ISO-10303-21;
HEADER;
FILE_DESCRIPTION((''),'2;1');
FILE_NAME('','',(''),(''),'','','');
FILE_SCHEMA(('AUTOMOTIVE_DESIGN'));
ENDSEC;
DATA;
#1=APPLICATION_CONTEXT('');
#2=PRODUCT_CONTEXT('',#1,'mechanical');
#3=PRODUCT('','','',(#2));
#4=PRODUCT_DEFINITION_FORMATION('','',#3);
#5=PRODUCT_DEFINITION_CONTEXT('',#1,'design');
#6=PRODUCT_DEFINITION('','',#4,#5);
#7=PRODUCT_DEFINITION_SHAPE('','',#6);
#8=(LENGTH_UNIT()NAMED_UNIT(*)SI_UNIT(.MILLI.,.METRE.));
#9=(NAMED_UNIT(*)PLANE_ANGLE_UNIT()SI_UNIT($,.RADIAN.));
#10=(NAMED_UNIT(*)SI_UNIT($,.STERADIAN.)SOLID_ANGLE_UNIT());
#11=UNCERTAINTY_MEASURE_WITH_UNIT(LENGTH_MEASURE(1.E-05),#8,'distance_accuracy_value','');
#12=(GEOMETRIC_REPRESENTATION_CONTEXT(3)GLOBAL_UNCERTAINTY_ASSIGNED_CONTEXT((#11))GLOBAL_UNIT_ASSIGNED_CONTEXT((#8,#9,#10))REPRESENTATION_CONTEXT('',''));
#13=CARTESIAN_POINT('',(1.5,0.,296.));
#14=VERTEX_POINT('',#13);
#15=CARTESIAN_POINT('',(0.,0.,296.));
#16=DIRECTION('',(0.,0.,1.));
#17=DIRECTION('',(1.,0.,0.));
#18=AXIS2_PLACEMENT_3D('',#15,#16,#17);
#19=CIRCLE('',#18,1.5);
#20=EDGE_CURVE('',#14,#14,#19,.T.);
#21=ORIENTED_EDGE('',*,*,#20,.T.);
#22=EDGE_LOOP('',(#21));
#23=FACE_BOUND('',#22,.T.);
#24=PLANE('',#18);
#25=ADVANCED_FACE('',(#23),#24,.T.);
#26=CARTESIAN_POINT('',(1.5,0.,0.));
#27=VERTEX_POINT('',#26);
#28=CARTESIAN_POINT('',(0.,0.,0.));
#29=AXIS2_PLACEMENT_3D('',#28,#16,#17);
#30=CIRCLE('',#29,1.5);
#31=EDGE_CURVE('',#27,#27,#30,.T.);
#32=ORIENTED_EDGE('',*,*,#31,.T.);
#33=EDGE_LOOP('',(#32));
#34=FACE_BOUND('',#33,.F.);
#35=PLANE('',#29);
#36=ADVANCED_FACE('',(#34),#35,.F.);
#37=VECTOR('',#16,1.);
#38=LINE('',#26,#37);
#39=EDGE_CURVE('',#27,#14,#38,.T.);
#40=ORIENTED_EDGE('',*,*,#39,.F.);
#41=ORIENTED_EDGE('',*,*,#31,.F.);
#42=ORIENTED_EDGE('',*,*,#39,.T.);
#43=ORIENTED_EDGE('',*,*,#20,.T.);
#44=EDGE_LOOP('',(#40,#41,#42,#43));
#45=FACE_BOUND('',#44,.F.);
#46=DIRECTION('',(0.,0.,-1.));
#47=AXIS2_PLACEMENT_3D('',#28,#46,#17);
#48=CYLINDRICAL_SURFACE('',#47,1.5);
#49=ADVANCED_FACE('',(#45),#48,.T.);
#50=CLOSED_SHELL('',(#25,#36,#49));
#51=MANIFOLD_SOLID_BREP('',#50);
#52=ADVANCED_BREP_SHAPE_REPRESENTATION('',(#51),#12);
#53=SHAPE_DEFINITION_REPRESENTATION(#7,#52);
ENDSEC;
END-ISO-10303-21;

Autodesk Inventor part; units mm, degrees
ref_plane "YZ Plane" through (0, 0, 0) normal (1, 0, 0) x (0, 1, 0)
ref_plane "XZ Plane" through (0, 0, 0) normal (0, 1, 0) x (-1, 0, 0)
ref_plane "XY Plane" through (0, 0, 0) normal (0, 0, 1) x (1, 0, 0)
sketch "Sketch1" plane through (0, 0, 0) normal (0, 0, 1) x (1, 0, 0)
  circle A0 centre (0, 0) radius 1.5
  dimension "d0" = 3
extrude "Extrusion1" add sketch "Sketch1" along normal blind 296
